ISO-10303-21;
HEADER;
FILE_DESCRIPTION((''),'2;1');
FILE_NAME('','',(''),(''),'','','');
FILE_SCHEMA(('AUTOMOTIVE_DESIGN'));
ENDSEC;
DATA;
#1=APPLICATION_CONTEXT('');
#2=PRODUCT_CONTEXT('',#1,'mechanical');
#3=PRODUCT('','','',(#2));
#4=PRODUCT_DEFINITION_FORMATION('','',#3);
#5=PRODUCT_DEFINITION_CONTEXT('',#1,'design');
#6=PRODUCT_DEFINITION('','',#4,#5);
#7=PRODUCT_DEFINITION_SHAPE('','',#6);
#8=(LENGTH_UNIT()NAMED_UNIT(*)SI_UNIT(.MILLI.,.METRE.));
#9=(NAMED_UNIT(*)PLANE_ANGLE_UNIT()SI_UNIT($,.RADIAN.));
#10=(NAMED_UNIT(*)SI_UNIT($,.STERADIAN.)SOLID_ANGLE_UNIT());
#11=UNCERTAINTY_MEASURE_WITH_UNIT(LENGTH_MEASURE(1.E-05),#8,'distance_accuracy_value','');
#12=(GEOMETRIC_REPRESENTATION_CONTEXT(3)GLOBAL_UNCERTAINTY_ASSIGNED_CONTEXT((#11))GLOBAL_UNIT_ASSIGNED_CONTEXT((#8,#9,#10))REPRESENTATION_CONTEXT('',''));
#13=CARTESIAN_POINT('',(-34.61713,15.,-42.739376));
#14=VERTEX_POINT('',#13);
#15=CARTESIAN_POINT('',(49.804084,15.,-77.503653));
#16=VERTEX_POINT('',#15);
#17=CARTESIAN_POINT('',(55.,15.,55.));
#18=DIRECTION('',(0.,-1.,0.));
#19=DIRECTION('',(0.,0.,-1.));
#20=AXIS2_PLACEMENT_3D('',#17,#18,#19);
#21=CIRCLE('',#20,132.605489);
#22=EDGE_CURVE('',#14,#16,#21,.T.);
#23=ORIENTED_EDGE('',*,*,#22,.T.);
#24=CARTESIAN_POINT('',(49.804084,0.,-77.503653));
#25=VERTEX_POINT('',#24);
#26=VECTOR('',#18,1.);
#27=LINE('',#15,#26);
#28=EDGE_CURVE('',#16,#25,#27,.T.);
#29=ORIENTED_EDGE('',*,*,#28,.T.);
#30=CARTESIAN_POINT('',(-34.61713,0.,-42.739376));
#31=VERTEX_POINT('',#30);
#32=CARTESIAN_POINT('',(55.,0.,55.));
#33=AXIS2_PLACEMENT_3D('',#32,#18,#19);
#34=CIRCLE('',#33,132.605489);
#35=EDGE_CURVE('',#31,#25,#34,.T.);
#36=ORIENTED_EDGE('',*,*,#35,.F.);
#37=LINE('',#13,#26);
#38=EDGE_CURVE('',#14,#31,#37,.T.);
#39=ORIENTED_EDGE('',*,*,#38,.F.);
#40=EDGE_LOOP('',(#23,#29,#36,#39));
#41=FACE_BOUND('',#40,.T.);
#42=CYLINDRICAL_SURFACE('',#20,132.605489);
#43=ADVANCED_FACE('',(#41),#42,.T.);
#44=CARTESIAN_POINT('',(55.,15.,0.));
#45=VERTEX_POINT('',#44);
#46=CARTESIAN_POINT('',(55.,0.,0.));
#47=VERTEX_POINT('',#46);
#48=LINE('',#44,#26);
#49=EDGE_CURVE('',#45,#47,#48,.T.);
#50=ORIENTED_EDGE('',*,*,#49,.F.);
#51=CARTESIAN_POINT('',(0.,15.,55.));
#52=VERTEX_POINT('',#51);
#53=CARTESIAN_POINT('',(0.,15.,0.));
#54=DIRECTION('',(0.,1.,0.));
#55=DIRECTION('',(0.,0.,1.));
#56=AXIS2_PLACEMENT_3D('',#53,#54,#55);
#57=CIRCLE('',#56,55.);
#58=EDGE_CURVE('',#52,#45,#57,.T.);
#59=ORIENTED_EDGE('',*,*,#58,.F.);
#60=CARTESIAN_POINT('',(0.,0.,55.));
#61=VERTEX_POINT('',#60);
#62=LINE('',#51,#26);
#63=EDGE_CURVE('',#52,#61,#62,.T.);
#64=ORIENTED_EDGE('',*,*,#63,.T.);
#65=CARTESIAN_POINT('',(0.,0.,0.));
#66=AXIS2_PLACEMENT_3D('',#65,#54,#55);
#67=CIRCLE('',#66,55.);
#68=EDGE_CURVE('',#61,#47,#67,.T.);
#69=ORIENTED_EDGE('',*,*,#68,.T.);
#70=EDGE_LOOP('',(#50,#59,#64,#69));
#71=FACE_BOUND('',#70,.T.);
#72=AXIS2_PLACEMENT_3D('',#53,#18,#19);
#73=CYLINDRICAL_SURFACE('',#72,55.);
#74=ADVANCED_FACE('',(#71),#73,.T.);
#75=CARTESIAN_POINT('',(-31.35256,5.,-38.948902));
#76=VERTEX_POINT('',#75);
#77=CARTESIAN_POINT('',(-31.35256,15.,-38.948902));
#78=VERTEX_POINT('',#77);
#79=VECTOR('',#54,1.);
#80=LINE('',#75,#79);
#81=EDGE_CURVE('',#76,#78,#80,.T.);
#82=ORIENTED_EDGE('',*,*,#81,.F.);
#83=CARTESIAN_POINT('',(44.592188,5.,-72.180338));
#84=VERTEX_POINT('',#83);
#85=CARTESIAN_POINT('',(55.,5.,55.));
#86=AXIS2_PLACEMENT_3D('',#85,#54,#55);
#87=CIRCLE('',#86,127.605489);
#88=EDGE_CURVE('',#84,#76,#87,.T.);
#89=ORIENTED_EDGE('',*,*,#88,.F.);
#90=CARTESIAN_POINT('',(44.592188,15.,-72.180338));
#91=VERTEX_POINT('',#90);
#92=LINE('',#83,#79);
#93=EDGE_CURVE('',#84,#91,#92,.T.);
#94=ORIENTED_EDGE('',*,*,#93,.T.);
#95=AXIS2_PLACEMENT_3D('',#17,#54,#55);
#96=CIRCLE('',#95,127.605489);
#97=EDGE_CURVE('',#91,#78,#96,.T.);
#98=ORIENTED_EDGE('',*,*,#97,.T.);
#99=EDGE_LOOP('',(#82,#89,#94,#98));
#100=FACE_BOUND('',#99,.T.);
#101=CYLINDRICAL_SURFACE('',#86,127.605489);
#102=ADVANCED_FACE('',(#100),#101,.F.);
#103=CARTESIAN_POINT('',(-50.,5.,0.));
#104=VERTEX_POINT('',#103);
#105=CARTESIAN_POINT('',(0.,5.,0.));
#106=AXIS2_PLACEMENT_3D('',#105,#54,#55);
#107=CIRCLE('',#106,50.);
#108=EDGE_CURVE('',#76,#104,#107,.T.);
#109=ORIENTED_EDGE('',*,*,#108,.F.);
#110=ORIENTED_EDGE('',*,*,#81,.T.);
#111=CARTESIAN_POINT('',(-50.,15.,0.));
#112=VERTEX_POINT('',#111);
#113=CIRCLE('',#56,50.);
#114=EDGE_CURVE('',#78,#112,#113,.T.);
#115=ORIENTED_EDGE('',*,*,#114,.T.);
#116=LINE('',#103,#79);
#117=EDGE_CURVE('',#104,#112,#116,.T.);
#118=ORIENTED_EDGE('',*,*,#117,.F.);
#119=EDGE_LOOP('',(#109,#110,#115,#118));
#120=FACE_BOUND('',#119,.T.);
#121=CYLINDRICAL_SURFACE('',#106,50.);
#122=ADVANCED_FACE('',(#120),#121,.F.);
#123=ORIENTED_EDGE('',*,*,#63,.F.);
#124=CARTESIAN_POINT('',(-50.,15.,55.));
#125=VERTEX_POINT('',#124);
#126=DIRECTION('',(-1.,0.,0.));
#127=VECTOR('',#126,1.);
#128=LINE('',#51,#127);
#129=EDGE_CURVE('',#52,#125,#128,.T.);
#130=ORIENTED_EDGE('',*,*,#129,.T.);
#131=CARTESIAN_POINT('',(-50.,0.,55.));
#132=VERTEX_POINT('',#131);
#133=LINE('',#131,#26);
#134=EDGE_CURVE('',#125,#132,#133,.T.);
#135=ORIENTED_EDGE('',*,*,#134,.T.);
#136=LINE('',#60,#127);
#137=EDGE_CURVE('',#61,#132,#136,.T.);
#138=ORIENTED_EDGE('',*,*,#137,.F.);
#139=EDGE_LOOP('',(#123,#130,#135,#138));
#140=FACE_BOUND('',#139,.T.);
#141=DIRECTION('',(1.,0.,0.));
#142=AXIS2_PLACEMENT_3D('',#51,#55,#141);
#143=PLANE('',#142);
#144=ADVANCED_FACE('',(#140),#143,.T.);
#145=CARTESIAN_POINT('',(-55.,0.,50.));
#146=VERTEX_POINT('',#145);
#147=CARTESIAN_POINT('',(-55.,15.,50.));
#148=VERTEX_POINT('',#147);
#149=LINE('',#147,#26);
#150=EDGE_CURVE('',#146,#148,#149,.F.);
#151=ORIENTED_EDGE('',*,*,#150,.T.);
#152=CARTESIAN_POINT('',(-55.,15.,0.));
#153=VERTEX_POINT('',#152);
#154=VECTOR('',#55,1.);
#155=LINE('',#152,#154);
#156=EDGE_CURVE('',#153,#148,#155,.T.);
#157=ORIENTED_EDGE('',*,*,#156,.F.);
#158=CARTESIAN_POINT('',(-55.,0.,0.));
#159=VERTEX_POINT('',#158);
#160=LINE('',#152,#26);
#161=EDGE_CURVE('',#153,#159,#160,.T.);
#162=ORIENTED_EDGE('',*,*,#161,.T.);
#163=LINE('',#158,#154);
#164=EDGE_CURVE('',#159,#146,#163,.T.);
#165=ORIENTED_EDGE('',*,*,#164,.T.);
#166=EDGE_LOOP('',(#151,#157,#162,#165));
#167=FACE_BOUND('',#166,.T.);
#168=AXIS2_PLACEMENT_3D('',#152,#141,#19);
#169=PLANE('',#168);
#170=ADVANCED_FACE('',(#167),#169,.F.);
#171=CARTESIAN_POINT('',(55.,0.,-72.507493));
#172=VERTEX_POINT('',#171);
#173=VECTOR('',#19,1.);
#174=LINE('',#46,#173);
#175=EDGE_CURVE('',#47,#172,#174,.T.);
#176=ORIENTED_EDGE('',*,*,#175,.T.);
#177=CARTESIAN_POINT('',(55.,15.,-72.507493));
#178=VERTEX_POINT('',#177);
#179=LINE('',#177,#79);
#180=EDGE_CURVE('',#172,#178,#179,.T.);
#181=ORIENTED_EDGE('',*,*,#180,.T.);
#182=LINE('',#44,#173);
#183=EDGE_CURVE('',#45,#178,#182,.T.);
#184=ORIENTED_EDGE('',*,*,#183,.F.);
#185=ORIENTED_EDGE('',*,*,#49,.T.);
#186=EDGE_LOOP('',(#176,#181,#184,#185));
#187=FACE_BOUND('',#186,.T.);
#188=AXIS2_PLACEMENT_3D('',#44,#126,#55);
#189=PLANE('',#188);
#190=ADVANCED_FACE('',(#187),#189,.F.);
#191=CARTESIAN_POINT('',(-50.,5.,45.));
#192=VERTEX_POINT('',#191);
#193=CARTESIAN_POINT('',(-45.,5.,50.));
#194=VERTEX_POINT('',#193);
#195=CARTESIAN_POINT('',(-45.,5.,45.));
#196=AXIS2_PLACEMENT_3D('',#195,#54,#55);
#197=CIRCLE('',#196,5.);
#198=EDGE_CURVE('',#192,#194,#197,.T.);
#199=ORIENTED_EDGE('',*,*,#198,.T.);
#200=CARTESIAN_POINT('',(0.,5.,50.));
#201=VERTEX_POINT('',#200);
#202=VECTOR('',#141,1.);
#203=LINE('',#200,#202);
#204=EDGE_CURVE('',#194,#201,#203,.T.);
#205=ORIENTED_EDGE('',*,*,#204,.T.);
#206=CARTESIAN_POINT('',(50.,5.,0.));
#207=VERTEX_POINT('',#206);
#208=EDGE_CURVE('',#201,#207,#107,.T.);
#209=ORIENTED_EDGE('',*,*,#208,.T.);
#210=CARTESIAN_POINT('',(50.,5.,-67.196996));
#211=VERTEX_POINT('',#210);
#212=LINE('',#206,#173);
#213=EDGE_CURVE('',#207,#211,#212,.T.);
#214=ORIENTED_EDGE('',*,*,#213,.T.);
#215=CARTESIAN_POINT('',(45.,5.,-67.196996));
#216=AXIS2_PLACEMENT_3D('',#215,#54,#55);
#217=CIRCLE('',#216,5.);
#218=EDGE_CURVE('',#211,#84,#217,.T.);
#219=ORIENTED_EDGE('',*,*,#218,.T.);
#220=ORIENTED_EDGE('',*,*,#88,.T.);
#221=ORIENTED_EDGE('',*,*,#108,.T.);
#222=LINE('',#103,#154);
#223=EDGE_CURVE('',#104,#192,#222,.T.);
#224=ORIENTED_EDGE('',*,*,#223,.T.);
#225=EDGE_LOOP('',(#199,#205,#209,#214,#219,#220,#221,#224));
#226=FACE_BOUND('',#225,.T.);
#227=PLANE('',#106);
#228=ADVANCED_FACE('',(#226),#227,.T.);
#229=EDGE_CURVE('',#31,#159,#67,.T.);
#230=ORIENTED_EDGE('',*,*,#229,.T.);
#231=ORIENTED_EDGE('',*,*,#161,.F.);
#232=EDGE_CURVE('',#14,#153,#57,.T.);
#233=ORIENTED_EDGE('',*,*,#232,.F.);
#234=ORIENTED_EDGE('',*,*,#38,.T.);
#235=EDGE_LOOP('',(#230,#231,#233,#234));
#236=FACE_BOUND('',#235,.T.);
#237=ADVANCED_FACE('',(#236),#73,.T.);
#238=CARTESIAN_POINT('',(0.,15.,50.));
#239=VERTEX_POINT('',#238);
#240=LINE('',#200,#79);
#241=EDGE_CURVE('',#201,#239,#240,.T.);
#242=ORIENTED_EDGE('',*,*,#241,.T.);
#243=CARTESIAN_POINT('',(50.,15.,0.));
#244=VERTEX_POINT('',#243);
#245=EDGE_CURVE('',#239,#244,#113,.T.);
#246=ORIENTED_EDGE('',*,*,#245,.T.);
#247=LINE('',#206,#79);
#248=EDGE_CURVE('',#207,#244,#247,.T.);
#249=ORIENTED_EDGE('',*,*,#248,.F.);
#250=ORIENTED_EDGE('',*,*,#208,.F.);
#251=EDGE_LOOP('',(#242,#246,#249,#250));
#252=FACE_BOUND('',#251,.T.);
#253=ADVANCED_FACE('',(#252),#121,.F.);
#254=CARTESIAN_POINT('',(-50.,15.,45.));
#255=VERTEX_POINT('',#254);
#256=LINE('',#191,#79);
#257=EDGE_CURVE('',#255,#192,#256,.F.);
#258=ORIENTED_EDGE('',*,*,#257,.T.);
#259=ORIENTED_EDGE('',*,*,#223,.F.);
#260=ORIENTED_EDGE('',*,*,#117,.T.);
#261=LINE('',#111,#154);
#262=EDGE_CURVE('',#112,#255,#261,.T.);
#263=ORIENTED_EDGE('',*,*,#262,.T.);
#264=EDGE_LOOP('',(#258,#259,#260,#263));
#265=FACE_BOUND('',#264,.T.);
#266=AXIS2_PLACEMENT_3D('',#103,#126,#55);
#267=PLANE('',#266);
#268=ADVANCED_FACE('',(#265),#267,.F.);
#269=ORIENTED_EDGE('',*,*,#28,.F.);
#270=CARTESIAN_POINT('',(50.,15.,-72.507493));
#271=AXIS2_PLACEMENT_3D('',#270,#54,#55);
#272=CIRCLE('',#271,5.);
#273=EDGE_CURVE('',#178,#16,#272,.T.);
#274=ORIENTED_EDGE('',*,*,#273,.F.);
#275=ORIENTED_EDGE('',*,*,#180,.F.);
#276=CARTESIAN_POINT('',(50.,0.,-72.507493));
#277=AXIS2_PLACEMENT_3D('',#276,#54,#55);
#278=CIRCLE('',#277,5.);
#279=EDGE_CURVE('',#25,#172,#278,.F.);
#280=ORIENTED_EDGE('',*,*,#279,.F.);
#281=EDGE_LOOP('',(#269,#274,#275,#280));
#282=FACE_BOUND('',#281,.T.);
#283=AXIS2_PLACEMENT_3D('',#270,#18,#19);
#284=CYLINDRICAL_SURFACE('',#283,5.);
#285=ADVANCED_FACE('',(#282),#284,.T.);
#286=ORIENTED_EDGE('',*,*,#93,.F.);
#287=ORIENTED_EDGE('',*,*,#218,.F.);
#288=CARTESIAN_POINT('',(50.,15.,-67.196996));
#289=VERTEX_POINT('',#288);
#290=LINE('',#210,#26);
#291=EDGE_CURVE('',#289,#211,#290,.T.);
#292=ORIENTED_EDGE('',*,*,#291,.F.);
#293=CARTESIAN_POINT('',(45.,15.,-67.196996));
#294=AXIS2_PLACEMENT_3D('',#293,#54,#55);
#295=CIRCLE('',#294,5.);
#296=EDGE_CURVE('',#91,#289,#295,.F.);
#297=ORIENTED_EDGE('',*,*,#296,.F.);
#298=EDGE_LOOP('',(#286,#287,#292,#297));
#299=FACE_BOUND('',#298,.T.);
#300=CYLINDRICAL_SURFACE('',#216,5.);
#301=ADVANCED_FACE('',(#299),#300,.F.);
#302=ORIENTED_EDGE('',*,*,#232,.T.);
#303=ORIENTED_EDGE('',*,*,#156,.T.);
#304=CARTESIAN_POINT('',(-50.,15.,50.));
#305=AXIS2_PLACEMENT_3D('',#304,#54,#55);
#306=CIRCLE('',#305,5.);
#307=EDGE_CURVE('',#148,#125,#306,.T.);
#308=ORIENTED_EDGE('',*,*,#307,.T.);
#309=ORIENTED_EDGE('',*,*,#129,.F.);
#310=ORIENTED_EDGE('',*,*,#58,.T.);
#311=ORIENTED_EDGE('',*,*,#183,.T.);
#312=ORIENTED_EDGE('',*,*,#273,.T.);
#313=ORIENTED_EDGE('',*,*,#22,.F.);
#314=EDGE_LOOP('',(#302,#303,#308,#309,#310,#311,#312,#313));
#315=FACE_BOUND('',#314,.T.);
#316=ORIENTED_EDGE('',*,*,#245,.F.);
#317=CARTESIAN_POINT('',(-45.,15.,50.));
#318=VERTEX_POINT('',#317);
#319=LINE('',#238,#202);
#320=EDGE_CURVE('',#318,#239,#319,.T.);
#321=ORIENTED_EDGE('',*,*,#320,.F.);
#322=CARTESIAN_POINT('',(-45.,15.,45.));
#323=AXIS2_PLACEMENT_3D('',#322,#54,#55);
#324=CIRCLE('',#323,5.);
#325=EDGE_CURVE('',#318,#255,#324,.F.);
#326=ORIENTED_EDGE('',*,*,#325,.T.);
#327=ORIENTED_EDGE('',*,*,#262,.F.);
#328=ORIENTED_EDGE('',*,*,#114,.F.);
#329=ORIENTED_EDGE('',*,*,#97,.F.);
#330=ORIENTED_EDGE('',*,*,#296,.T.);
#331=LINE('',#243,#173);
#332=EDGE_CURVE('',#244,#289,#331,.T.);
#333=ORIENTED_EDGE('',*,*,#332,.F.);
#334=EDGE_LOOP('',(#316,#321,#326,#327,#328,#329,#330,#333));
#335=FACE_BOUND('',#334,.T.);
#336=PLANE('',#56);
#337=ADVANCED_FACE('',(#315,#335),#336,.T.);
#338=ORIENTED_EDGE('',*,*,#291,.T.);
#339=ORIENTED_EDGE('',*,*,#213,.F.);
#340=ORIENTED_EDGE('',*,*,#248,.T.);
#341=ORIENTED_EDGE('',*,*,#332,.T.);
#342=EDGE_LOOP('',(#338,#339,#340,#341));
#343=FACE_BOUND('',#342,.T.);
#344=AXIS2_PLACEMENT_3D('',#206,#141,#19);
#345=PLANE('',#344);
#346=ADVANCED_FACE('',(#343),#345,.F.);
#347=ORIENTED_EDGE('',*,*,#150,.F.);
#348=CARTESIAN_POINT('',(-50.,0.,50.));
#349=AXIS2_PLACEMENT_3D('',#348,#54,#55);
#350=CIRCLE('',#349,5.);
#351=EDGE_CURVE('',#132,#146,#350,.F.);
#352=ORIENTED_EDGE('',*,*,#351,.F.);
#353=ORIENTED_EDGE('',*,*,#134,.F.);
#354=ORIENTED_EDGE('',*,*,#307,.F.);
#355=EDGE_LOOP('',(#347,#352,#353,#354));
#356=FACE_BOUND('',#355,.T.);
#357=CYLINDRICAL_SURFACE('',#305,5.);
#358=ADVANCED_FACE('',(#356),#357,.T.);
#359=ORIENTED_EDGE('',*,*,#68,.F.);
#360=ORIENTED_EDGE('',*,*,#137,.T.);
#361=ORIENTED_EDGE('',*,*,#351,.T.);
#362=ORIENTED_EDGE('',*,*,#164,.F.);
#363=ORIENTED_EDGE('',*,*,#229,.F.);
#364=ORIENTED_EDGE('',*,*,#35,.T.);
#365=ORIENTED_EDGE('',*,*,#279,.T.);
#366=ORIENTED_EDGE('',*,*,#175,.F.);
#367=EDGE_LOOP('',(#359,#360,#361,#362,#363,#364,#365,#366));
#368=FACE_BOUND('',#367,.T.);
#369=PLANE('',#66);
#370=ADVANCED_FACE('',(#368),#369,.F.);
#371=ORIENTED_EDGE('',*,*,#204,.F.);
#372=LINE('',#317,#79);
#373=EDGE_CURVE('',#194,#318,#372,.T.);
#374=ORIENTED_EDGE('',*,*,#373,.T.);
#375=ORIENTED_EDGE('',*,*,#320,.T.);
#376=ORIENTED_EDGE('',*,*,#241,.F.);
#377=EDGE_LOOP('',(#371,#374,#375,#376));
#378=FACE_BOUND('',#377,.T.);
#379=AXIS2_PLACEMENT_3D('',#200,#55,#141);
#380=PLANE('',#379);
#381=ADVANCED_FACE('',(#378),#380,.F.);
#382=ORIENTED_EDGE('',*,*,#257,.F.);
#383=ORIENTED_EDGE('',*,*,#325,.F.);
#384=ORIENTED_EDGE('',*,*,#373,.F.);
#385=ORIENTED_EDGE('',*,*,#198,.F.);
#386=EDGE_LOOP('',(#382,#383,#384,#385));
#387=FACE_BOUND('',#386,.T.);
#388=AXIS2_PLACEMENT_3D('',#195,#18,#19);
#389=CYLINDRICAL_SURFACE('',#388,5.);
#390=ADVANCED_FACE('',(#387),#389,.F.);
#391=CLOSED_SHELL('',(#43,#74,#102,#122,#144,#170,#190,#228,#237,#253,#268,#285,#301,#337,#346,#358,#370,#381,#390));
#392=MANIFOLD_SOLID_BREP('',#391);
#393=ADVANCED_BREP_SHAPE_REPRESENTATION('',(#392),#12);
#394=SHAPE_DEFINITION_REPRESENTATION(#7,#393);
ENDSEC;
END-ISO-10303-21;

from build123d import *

# Parameters (mm, degrees)
SKETCH_2_R          = 55
EXTRUDE_1_DEPTH     = 15
SKETCH_3_R          = 50
CUT_EXTRUDE_1_DEPTH = 10
EXTRUDE_3_DEPTH     = 15
CUT_EXTRUDE_4_DEPTH = 10
CUT_EXTRUDE_5_DEPTH = 10
FILLET_1_R          = 5
FILLET_2_R          = 5
FILLET_3_R          = 5


with BuildPart() as part:
    # 草圖2 → 填料-伸長1 (new body)
    with BuildSketch(Plane(origin=(0, 0, 0), x_dir=(1, 0, 0), z_dir=(0, 1, 0))):
        with Locations(Location((0, 0, 0), (0, 0, 270))):
            Circle(SKETCH_2_R)
    extrude(amount=EXTRUDE_1_DEPTH)

    # 草圖3 → 除料-伸長1 (cut)
    with BuildSketch(Plane(origin=(0, 15, 0), x_dir=(1, 0, 0), z_dir=(0, 1, 0))):
        with Locations(Location((0, 0, 0), (0, 0, 270))):
            Circle(SKETCH_3_R)
    extrude(amount=-CUT_EXTRUDE_1_DEPTH, mode=Mode.SUBTRACT)

    # 草圖8 → 填料-伸長3 (add)
    with BuildSketch(Plane.XZ):
        with BuildLine():
            ThreePointArc((55, 0), (23.675491822, -49.643439516), (-34.617130436, -42.739376228))
            ThreePointArc((-34.617130436, -42.739376228), (6.919661262, -68.581943503), (55, -77.605489076))
            Line((55, -77.605489076), (55, 0))
        make_face()
        with BuildLine():
            ThreePointArc((-55, 0), (-38.890872965, 38.890872965), (0, 55))
            Line((0, 55), (-55, 55))
            Line((-55, 55), (-55, 0))
        make_face()
    extrude(amount=-EXTRUDE_3_DEPTH)

    # 草圖9 → 除料-伸長4 (cut)
    with BuildSketch(Plane(origin=(0, 15, 0), x_dir=(1, 0, 0), z_dir=(0, 1, 0))):
        with BuildLine():
            ThreePointArc((-31.352560089, 38.948902113), (21.591340805, 45.097827023), (50, 0))
            Line((50, 0), (50, 72.507493279))
            ThreePointArc((50, 72.507493279), (6.339263066, 62.963102381), (-31.352560089, 38.948902113))
        make_face()
    extrude(amount=-CUT_EXTRUDE_4_DEPTH, mode=Mode.SUBTRACT)

    # 草圖10 → 除料-伸長5 (cut)
    with BuildSketch(Plane(origin=(0, 15, 0), x_dir=(1, 0, 0), z_dir=(0, 1, 0))):
        with BuildLine():
            Line((0, -50), (-50, -50))
            Line((-50, -50), (-50, 0))
            ThreePointArc((-50, 0), (-35.355339059, -35.355339059), (0, -50))
        make_face()
    extrude(amount=-CUT_EXTRUDE_5_DEPTH, mode=Mode.SUBTRACT)

    # 圓角1
    fillet_1_edges = [part.edges().sort_by_distance(p)[0] for p in [
        (-50, 10, 50),
    ]]
    fillet(fillet_1_edges, radius=FILLET_1_R)

    # 圓角2
    fillet_2_edges = [part.edges().sort_by_distance(p)[0] for p in [
        (50, 10, -72.507493279),
    ]]
    fillet(fillet_2_edges, radius=FILLET_2_R)

    # 圓角3
    fillet_3_edges = [part.edges().sort_by_distance(p)[0] for p in [
        (55, 7.5, -77.605489076),
        (-55, 7.5, 55),
    ]]
    fillet(fillet_3_edges, radius=FILLET_3_R)


solid = part.part
